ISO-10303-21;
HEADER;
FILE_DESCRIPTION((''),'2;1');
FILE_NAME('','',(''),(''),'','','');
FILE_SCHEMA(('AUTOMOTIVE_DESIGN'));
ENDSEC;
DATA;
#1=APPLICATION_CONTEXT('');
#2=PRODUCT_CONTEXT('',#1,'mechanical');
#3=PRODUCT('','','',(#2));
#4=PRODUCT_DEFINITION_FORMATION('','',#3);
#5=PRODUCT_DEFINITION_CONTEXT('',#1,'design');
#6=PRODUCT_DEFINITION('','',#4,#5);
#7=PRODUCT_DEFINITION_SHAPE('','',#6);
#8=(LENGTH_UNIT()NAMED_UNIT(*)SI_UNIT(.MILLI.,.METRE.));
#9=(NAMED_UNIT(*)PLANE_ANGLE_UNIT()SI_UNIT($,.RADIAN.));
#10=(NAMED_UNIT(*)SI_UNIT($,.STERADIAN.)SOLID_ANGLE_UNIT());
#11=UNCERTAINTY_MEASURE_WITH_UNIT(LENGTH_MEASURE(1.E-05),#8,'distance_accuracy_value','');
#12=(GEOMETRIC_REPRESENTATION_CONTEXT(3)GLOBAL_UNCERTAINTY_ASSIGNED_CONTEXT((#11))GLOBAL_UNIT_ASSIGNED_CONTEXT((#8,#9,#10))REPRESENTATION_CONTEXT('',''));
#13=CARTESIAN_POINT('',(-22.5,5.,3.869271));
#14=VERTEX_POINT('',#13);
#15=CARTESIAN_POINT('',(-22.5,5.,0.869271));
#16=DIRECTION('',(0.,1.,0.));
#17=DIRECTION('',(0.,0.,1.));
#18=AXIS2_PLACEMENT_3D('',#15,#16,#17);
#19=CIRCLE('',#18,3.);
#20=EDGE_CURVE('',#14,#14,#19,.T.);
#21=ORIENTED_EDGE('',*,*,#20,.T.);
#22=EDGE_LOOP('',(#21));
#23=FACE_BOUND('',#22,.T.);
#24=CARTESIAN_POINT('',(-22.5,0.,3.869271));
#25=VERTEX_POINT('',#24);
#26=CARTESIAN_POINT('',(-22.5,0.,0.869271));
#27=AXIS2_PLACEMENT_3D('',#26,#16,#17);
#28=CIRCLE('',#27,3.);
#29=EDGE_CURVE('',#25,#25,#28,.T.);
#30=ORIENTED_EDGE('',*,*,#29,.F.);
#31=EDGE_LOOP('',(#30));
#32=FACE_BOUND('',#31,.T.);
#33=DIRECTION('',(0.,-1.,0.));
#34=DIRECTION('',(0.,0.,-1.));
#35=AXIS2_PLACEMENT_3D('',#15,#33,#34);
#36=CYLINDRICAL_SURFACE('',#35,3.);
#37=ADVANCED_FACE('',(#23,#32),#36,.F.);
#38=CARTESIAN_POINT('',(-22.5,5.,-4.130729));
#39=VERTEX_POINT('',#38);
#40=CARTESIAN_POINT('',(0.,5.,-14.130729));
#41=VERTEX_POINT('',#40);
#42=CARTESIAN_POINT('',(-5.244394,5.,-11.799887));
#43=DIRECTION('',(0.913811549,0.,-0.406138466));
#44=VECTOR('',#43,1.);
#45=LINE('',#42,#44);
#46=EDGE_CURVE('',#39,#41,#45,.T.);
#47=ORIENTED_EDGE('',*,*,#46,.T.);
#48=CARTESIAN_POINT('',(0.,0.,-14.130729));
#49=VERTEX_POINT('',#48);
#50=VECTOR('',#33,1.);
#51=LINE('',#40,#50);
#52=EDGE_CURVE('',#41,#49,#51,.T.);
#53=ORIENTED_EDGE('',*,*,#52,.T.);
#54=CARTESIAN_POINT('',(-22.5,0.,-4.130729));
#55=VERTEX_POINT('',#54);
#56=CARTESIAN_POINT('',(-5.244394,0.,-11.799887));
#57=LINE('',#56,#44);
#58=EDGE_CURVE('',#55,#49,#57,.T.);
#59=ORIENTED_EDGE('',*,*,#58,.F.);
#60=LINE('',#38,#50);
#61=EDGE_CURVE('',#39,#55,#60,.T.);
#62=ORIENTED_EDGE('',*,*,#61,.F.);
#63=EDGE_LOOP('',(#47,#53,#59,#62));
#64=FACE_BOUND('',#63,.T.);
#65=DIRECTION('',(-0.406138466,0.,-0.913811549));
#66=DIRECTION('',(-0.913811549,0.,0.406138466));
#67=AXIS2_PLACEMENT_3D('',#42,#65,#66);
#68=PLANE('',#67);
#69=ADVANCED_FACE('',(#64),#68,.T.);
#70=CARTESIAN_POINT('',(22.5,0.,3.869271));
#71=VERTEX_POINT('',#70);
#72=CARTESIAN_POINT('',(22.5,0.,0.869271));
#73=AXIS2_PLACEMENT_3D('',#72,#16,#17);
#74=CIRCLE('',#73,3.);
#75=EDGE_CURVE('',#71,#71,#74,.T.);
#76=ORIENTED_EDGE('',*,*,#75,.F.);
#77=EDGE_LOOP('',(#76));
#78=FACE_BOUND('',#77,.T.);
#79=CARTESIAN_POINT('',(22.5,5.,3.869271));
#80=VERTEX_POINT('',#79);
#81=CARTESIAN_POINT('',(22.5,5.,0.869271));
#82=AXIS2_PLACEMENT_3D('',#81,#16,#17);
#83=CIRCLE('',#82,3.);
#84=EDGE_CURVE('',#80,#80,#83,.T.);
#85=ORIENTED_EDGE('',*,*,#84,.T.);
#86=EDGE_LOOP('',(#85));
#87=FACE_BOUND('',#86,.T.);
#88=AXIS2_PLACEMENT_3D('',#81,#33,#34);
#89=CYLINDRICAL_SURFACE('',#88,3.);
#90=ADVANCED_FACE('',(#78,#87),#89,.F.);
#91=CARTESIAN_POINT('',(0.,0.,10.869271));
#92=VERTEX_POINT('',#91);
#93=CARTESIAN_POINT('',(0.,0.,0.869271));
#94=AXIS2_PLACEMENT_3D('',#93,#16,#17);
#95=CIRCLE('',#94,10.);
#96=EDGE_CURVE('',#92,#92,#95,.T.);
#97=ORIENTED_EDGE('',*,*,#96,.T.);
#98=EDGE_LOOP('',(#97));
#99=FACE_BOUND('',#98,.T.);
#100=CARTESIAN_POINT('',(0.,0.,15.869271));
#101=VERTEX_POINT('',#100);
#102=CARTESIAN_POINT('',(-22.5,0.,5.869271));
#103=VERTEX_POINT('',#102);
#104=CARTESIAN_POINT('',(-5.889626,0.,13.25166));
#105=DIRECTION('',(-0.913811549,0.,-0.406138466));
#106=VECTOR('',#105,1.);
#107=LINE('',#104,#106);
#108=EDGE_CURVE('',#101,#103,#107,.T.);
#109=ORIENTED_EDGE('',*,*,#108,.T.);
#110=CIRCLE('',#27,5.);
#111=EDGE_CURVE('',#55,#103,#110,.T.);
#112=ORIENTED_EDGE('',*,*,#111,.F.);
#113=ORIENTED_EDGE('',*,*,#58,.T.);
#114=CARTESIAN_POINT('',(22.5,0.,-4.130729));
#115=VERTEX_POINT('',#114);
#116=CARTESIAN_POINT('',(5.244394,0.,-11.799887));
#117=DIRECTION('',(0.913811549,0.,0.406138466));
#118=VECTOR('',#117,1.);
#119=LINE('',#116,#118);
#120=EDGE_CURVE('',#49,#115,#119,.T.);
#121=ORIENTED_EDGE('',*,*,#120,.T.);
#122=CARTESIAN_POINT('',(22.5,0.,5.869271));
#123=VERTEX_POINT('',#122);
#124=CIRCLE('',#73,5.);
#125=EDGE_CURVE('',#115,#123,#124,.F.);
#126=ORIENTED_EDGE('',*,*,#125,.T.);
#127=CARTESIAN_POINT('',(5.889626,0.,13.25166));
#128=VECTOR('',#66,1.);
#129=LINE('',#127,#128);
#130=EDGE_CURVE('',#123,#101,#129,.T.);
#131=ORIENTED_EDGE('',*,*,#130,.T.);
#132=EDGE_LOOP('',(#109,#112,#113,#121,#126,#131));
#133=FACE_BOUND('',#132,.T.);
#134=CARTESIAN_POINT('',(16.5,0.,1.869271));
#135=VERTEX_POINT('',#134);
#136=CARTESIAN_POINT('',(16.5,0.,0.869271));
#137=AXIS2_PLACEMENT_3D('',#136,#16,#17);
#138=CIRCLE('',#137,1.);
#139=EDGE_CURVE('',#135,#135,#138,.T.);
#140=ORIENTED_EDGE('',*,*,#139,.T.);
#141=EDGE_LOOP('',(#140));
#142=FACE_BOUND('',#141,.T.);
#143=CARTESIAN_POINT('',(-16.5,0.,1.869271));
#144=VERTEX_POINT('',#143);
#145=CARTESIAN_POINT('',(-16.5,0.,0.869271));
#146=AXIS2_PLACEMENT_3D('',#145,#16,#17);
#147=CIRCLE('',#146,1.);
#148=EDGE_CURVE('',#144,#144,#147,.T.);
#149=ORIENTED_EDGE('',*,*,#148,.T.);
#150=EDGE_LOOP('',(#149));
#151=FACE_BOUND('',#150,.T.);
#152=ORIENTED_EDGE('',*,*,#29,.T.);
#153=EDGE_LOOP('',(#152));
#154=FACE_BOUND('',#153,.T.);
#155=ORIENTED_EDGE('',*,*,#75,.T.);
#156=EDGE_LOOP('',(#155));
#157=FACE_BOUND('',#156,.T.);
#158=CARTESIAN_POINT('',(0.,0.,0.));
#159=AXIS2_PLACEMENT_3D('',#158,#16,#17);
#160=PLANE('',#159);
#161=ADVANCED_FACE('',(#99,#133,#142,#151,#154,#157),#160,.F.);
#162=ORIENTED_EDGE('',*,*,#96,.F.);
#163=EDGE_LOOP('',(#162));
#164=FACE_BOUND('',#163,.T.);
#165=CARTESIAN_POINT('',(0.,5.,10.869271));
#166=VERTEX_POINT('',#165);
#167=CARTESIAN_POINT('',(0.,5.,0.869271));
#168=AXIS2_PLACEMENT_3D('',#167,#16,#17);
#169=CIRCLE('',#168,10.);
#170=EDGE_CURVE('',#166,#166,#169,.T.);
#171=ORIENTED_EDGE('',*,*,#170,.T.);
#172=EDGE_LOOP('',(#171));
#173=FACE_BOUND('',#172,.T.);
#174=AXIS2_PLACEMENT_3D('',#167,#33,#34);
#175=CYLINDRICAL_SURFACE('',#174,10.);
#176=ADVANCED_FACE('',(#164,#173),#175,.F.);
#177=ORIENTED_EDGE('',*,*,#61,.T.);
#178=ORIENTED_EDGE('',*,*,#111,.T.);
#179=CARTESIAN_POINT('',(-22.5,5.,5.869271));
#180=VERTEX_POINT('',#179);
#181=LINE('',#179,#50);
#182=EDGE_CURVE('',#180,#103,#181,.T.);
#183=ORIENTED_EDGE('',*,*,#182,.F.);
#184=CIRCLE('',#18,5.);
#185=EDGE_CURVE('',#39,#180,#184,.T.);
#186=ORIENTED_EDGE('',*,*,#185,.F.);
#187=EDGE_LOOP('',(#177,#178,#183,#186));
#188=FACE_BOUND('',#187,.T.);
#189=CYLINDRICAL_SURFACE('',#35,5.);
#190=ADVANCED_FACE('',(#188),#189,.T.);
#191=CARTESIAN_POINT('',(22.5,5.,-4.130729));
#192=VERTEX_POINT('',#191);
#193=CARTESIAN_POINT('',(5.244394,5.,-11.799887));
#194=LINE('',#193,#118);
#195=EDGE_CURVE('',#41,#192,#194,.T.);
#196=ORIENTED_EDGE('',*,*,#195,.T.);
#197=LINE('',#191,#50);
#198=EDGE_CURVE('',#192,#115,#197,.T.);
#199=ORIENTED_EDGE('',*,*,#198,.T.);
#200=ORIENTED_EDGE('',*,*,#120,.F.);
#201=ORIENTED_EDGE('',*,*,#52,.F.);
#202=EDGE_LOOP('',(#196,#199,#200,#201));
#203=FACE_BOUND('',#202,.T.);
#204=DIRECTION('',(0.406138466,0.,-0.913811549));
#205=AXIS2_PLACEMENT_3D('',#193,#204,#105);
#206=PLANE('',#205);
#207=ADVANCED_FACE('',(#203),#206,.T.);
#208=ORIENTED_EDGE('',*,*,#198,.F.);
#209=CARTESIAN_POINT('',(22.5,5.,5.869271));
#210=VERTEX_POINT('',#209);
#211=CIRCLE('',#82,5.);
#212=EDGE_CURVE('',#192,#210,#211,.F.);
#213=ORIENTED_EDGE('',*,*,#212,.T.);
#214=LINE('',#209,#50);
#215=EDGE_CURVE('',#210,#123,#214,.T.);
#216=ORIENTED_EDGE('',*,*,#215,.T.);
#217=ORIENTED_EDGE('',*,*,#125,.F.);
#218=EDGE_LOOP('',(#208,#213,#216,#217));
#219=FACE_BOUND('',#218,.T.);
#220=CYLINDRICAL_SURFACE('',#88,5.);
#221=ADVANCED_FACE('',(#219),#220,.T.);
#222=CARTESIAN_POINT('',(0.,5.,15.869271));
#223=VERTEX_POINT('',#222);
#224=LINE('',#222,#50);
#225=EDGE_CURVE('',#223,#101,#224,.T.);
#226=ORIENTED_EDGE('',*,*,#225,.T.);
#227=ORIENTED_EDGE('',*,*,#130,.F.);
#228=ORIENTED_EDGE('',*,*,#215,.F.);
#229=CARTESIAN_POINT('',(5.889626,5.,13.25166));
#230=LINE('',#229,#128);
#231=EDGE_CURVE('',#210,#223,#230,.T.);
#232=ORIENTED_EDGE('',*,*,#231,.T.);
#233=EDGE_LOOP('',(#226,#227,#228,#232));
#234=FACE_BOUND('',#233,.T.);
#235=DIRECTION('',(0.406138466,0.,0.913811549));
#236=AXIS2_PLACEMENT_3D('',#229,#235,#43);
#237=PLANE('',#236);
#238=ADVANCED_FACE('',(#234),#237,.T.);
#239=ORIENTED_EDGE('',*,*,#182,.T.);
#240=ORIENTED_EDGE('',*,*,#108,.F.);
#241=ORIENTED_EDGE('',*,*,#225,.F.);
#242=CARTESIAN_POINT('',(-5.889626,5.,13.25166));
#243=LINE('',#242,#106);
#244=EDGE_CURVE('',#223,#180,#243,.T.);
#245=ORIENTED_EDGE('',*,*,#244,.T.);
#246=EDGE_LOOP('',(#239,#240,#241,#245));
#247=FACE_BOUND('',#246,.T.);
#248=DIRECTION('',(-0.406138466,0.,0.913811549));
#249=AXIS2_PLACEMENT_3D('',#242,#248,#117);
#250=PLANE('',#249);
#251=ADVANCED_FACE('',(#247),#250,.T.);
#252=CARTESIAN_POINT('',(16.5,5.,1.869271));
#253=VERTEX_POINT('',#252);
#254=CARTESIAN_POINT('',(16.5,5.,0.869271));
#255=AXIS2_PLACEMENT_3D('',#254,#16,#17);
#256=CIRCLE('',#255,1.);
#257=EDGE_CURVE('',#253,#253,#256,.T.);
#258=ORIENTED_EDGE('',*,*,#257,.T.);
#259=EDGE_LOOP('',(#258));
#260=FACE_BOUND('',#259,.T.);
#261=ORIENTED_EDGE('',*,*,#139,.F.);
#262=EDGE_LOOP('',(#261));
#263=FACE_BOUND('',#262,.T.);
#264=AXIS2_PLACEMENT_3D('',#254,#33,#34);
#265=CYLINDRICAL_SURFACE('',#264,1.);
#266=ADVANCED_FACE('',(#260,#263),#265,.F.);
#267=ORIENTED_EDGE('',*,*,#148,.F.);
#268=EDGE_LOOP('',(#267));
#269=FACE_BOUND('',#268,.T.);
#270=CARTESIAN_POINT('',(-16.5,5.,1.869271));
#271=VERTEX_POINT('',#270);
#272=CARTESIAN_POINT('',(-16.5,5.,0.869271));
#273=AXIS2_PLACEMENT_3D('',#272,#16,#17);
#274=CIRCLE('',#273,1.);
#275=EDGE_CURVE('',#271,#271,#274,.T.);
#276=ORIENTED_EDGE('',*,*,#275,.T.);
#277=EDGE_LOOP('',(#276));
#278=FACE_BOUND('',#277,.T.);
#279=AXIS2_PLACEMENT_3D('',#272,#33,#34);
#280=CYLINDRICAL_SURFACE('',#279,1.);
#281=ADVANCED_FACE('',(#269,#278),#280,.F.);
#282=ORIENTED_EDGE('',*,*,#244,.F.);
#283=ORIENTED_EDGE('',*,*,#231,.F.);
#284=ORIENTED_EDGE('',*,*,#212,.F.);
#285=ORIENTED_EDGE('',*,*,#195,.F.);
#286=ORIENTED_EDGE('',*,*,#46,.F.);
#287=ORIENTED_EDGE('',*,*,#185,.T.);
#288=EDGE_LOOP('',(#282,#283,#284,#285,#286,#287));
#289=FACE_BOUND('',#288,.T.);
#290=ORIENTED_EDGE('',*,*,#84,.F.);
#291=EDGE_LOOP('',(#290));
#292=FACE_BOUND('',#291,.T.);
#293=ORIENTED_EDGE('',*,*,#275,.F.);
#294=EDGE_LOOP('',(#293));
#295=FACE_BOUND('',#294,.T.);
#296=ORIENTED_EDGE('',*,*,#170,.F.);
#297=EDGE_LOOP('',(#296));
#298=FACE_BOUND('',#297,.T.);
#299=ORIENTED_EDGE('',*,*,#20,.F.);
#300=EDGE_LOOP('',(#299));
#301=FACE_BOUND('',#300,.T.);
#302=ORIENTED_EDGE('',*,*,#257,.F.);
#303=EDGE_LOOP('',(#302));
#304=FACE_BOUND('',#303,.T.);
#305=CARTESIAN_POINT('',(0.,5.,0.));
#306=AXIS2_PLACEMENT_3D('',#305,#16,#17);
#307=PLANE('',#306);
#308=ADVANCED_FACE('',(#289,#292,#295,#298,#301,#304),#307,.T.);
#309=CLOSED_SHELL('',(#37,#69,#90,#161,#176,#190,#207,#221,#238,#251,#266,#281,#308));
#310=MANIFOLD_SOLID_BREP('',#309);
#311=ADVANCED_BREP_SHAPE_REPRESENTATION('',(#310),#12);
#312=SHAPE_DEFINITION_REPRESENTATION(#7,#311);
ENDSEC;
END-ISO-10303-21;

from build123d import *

# Parameters (mm, degrees)
SKETCH_1_R      = 3
SKETCH_1_R_2    = 10
SKETCH_1_R_3    = 1
EXTRUDE_1_DEPTH = 5


with BuildPart() as part:
    # Эскиз1 → Бобышка-Вытянуть1 (new body)
    with BuildSketch(Plane(origin=(0, 0, 0), x_dir=(1, 0, 0), z_dir=(0, 1, 0))):
        with BuildLine():
            Line((-22.5, 4.130728704), (0, 14.130728704))
            Line((0, 14.130728704), (22.5, 4.130728704))
            ThreePointArc((22.5, 4.130728704), (27.5, -0.869271296), (22.5, -5.869271296))
            Line((22.5, -5.869271296), (0, -15.869271296))
            Line((0, -15.869271296), (-22.5, -5.869271296))
            ThreePointArc((-22.5, -5.869271296), (-27.5, -0.869271296), (-22.5, 4.130728704))
        make_face()
        with Locations(Location((-22.5, -0.869271296, 0), (0, 0, 270))):
            Circle(SKETCH_1_R, mode=Mode.SUBTRACT)
        with Locations(Location((0, -0.869271296, 0), (0, 0, 270))):
            Circle(SKETCH_1_R_2, mode=Mode.SUBTRACT)
        with Locations(Location((22.5, -0.869271296, 0), (0, 0, 270))):
            Circle(SKETCH_1_R, mode=Mode.SUBTRACT)
        with Locations(Location((-16.5, -0.869271296, 0), (0, 0, 270))):
            Circle(SKETCH_1_R_3, mode=Mode.SUBTRACT)
        with Locations(Location((16.5, -0.869271296, 0), (0, 0, 270))):
            Circle(SKETCH_1_R_3, mode=Mode.SUBTRACT)
    extrude(amount=EXTRUDE_1_DEPTH)


solid = part.part
